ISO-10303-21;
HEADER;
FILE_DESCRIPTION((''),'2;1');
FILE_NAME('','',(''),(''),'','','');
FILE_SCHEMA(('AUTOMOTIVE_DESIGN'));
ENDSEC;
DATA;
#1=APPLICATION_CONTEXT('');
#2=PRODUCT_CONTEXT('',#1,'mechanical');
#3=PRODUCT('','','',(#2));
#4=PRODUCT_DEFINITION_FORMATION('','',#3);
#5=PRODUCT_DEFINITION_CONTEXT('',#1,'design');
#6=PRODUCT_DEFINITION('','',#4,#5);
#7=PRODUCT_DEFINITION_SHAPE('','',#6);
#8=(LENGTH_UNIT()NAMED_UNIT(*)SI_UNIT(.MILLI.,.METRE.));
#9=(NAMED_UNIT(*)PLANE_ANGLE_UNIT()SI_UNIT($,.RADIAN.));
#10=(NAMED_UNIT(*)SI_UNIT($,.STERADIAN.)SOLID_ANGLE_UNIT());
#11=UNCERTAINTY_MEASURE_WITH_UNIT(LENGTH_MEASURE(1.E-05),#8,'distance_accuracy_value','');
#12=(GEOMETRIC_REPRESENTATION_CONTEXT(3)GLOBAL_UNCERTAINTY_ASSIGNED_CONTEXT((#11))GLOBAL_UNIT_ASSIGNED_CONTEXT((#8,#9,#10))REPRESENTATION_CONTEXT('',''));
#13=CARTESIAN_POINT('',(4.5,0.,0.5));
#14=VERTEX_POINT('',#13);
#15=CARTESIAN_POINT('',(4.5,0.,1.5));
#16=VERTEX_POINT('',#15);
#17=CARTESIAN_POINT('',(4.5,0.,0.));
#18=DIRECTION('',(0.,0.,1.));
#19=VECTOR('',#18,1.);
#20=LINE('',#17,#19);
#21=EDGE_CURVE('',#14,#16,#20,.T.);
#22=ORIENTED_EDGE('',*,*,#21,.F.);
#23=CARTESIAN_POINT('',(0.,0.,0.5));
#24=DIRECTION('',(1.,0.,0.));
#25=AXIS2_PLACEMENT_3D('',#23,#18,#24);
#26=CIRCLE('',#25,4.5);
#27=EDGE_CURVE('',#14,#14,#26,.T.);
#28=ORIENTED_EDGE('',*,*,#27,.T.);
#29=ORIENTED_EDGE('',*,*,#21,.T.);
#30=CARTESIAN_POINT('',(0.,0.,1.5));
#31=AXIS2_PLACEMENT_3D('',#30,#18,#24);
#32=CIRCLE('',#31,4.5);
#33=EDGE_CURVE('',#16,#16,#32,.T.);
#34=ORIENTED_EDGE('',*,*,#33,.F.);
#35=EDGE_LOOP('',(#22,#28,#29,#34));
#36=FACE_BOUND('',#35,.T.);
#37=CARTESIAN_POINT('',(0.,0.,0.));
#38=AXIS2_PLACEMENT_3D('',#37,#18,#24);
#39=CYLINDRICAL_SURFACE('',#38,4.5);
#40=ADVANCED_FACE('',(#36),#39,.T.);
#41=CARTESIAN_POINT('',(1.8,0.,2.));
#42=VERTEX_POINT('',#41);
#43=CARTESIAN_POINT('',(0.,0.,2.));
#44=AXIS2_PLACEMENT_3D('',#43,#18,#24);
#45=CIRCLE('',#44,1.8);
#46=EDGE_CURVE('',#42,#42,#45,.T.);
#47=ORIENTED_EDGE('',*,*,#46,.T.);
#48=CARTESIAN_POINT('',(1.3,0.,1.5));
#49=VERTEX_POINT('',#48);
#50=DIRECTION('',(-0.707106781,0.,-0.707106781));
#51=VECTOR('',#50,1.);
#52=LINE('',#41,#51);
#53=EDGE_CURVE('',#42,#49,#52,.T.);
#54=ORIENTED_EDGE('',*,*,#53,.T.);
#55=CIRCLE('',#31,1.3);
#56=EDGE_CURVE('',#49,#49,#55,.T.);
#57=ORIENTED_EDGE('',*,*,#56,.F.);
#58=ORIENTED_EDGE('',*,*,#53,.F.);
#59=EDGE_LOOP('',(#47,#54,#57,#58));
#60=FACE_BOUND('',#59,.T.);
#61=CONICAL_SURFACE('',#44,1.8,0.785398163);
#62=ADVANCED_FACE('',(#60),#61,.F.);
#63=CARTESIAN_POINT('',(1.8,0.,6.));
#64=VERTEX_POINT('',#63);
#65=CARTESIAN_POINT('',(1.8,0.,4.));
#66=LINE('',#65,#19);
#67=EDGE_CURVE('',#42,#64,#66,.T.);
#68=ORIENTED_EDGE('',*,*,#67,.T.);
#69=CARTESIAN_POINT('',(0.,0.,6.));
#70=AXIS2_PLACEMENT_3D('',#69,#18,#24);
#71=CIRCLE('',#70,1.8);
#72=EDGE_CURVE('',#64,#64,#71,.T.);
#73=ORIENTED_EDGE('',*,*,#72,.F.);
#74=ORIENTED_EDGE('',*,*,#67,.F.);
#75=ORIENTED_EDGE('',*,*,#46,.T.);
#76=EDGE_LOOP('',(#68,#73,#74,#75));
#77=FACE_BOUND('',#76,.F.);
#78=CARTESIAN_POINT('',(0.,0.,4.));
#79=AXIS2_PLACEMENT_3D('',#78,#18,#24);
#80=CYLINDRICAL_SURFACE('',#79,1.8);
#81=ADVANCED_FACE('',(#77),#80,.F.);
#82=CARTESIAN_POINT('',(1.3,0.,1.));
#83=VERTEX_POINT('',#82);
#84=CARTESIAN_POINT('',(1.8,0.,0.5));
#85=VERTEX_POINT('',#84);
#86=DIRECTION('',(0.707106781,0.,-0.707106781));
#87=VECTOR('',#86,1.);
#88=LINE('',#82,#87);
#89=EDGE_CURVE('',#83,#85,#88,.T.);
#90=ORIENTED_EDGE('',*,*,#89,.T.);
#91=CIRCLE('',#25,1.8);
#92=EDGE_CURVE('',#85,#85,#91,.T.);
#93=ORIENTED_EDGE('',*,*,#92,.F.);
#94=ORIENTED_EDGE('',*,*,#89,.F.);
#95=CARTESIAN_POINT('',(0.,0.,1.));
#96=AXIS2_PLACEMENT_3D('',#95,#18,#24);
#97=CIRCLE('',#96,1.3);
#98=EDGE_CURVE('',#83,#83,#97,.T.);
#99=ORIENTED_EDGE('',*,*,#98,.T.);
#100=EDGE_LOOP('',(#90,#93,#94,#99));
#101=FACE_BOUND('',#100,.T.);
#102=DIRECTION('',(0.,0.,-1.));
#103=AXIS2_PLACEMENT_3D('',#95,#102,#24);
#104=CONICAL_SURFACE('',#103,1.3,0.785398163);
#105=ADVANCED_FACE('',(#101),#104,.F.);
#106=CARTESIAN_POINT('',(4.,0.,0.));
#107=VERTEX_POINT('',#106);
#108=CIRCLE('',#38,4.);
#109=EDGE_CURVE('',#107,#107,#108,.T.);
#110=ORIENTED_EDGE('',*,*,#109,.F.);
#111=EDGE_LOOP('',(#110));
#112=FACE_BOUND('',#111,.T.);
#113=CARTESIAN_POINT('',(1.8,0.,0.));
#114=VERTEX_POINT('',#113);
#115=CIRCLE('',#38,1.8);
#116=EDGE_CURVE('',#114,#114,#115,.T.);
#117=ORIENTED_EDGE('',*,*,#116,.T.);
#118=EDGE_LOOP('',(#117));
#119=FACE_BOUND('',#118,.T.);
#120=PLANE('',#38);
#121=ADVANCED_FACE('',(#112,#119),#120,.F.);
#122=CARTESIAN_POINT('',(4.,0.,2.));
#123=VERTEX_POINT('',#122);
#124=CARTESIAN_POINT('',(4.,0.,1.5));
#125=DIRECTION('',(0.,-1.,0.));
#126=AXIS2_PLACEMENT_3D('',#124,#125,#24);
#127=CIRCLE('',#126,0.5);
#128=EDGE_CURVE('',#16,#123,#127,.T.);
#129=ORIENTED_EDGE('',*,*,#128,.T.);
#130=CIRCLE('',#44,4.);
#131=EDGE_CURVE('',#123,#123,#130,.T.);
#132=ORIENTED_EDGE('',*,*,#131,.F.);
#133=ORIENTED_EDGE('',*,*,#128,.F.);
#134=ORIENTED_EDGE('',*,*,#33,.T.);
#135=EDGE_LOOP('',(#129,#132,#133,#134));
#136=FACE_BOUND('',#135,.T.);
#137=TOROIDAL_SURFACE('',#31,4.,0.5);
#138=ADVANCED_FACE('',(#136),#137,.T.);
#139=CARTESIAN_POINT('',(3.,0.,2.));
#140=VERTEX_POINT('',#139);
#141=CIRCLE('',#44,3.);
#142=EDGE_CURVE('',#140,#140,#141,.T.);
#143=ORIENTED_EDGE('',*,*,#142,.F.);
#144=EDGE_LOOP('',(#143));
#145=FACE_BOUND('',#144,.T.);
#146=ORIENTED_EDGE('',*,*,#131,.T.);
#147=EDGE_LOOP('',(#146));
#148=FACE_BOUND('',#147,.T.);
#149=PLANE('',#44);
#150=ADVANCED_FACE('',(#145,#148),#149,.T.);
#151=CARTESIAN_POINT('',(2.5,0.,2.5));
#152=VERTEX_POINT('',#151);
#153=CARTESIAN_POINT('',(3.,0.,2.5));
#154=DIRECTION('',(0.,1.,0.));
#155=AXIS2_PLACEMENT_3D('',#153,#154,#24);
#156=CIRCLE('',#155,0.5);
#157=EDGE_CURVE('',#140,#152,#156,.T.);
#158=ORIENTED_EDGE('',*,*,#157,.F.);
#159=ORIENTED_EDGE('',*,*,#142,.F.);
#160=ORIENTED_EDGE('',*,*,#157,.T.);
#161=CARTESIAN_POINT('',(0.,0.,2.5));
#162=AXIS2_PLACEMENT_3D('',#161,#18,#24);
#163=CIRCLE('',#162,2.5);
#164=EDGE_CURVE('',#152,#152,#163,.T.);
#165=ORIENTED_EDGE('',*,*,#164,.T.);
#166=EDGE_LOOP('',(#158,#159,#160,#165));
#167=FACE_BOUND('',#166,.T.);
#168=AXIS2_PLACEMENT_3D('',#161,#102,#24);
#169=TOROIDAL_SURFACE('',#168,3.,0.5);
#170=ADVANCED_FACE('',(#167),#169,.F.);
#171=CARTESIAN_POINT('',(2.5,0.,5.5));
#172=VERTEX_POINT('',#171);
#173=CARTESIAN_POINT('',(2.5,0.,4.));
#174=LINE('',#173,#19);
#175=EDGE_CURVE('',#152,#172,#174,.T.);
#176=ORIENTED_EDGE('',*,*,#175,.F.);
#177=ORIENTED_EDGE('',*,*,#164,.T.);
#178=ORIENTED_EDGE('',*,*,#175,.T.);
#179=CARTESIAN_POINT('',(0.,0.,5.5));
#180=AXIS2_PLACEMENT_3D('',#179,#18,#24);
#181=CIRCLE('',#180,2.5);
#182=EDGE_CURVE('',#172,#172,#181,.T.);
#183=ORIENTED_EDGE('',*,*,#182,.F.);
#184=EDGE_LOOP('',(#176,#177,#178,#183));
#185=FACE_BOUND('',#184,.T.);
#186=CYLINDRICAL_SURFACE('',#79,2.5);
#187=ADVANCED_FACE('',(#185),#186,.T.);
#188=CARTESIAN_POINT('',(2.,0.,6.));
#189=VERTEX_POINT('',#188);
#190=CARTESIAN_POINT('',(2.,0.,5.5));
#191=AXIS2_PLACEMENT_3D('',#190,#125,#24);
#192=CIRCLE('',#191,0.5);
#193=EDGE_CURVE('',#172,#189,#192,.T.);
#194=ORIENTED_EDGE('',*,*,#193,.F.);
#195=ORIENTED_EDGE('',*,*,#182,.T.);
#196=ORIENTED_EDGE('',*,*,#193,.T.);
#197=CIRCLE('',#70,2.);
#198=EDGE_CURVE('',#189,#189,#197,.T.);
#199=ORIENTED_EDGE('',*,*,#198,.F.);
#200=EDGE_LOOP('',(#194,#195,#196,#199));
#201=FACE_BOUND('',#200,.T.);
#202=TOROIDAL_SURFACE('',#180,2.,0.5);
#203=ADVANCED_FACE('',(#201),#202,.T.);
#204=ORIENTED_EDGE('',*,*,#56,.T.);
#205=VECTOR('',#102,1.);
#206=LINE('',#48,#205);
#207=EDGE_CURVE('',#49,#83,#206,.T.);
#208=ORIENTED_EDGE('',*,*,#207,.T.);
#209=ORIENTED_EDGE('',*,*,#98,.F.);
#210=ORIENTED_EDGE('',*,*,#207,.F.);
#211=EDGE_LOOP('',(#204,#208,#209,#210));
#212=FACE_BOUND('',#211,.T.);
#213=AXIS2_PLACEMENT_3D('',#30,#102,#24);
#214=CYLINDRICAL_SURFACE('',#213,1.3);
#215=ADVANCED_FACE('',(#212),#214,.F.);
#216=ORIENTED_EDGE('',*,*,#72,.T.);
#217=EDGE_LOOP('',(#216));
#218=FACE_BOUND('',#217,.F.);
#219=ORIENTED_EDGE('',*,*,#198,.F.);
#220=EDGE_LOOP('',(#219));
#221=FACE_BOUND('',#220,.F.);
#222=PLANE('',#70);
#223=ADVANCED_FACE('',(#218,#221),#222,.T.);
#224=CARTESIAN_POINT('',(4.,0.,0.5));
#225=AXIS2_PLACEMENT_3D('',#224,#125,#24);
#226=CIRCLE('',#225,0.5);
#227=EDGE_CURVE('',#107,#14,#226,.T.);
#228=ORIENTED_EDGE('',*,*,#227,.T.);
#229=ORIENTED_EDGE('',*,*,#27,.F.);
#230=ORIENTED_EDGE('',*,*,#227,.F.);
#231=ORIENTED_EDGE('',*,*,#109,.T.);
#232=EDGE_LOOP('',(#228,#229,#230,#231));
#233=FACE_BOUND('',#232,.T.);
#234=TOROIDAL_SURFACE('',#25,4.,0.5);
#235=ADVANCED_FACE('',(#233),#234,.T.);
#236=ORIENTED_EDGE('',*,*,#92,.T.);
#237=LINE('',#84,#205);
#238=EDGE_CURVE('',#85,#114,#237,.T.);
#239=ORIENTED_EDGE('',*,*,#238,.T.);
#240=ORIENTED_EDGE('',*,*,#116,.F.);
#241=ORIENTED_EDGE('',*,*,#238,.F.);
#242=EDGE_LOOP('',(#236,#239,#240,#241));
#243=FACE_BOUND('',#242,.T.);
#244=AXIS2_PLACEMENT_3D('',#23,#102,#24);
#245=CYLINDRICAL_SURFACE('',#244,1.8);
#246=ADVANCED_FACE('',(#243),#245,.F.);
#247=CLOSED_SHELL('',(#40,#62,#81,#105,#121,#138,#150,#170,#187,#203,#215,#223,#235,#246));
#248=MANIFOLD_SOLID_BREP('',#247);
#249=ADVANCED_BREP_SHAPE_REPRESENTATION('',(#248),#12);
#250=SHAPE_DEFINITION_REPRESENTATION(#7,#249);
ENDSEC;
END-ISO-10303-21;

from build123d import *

# Parameters (mm, degrees)
F0_W = 0.7
F0_H = 4
F2_R = 0.5


with BuildPart() as f1:
    # F0 (on Front) → F1 (revolve)
    with BuildSketch(Plane.XZ):
        Polygon((1.8, 0.5), (1.8, 0), (4.5, 0), (4.5, 2), (2.5, 2), (1.8, 2), (1.3, 1.5), (1.3, 1), align=None)
        with Locations((2.15, 4)):
            Rectangle(F0_W, F0_H)
    revolve(axis=Axis((0, 0, 3), (0, 0, 1)))

    # F2
    f2_edges = [f1.edges().sort_by_distance(p)[0] for p in [
        (-2.5, 0, 6),
        (-4.5, 0, 2),
        (-2.5, 0, 2),
        (-4.5, 0, 0),
    ]]
    fillet(f2_edges, radius=F2_R)


solid = f1.part
